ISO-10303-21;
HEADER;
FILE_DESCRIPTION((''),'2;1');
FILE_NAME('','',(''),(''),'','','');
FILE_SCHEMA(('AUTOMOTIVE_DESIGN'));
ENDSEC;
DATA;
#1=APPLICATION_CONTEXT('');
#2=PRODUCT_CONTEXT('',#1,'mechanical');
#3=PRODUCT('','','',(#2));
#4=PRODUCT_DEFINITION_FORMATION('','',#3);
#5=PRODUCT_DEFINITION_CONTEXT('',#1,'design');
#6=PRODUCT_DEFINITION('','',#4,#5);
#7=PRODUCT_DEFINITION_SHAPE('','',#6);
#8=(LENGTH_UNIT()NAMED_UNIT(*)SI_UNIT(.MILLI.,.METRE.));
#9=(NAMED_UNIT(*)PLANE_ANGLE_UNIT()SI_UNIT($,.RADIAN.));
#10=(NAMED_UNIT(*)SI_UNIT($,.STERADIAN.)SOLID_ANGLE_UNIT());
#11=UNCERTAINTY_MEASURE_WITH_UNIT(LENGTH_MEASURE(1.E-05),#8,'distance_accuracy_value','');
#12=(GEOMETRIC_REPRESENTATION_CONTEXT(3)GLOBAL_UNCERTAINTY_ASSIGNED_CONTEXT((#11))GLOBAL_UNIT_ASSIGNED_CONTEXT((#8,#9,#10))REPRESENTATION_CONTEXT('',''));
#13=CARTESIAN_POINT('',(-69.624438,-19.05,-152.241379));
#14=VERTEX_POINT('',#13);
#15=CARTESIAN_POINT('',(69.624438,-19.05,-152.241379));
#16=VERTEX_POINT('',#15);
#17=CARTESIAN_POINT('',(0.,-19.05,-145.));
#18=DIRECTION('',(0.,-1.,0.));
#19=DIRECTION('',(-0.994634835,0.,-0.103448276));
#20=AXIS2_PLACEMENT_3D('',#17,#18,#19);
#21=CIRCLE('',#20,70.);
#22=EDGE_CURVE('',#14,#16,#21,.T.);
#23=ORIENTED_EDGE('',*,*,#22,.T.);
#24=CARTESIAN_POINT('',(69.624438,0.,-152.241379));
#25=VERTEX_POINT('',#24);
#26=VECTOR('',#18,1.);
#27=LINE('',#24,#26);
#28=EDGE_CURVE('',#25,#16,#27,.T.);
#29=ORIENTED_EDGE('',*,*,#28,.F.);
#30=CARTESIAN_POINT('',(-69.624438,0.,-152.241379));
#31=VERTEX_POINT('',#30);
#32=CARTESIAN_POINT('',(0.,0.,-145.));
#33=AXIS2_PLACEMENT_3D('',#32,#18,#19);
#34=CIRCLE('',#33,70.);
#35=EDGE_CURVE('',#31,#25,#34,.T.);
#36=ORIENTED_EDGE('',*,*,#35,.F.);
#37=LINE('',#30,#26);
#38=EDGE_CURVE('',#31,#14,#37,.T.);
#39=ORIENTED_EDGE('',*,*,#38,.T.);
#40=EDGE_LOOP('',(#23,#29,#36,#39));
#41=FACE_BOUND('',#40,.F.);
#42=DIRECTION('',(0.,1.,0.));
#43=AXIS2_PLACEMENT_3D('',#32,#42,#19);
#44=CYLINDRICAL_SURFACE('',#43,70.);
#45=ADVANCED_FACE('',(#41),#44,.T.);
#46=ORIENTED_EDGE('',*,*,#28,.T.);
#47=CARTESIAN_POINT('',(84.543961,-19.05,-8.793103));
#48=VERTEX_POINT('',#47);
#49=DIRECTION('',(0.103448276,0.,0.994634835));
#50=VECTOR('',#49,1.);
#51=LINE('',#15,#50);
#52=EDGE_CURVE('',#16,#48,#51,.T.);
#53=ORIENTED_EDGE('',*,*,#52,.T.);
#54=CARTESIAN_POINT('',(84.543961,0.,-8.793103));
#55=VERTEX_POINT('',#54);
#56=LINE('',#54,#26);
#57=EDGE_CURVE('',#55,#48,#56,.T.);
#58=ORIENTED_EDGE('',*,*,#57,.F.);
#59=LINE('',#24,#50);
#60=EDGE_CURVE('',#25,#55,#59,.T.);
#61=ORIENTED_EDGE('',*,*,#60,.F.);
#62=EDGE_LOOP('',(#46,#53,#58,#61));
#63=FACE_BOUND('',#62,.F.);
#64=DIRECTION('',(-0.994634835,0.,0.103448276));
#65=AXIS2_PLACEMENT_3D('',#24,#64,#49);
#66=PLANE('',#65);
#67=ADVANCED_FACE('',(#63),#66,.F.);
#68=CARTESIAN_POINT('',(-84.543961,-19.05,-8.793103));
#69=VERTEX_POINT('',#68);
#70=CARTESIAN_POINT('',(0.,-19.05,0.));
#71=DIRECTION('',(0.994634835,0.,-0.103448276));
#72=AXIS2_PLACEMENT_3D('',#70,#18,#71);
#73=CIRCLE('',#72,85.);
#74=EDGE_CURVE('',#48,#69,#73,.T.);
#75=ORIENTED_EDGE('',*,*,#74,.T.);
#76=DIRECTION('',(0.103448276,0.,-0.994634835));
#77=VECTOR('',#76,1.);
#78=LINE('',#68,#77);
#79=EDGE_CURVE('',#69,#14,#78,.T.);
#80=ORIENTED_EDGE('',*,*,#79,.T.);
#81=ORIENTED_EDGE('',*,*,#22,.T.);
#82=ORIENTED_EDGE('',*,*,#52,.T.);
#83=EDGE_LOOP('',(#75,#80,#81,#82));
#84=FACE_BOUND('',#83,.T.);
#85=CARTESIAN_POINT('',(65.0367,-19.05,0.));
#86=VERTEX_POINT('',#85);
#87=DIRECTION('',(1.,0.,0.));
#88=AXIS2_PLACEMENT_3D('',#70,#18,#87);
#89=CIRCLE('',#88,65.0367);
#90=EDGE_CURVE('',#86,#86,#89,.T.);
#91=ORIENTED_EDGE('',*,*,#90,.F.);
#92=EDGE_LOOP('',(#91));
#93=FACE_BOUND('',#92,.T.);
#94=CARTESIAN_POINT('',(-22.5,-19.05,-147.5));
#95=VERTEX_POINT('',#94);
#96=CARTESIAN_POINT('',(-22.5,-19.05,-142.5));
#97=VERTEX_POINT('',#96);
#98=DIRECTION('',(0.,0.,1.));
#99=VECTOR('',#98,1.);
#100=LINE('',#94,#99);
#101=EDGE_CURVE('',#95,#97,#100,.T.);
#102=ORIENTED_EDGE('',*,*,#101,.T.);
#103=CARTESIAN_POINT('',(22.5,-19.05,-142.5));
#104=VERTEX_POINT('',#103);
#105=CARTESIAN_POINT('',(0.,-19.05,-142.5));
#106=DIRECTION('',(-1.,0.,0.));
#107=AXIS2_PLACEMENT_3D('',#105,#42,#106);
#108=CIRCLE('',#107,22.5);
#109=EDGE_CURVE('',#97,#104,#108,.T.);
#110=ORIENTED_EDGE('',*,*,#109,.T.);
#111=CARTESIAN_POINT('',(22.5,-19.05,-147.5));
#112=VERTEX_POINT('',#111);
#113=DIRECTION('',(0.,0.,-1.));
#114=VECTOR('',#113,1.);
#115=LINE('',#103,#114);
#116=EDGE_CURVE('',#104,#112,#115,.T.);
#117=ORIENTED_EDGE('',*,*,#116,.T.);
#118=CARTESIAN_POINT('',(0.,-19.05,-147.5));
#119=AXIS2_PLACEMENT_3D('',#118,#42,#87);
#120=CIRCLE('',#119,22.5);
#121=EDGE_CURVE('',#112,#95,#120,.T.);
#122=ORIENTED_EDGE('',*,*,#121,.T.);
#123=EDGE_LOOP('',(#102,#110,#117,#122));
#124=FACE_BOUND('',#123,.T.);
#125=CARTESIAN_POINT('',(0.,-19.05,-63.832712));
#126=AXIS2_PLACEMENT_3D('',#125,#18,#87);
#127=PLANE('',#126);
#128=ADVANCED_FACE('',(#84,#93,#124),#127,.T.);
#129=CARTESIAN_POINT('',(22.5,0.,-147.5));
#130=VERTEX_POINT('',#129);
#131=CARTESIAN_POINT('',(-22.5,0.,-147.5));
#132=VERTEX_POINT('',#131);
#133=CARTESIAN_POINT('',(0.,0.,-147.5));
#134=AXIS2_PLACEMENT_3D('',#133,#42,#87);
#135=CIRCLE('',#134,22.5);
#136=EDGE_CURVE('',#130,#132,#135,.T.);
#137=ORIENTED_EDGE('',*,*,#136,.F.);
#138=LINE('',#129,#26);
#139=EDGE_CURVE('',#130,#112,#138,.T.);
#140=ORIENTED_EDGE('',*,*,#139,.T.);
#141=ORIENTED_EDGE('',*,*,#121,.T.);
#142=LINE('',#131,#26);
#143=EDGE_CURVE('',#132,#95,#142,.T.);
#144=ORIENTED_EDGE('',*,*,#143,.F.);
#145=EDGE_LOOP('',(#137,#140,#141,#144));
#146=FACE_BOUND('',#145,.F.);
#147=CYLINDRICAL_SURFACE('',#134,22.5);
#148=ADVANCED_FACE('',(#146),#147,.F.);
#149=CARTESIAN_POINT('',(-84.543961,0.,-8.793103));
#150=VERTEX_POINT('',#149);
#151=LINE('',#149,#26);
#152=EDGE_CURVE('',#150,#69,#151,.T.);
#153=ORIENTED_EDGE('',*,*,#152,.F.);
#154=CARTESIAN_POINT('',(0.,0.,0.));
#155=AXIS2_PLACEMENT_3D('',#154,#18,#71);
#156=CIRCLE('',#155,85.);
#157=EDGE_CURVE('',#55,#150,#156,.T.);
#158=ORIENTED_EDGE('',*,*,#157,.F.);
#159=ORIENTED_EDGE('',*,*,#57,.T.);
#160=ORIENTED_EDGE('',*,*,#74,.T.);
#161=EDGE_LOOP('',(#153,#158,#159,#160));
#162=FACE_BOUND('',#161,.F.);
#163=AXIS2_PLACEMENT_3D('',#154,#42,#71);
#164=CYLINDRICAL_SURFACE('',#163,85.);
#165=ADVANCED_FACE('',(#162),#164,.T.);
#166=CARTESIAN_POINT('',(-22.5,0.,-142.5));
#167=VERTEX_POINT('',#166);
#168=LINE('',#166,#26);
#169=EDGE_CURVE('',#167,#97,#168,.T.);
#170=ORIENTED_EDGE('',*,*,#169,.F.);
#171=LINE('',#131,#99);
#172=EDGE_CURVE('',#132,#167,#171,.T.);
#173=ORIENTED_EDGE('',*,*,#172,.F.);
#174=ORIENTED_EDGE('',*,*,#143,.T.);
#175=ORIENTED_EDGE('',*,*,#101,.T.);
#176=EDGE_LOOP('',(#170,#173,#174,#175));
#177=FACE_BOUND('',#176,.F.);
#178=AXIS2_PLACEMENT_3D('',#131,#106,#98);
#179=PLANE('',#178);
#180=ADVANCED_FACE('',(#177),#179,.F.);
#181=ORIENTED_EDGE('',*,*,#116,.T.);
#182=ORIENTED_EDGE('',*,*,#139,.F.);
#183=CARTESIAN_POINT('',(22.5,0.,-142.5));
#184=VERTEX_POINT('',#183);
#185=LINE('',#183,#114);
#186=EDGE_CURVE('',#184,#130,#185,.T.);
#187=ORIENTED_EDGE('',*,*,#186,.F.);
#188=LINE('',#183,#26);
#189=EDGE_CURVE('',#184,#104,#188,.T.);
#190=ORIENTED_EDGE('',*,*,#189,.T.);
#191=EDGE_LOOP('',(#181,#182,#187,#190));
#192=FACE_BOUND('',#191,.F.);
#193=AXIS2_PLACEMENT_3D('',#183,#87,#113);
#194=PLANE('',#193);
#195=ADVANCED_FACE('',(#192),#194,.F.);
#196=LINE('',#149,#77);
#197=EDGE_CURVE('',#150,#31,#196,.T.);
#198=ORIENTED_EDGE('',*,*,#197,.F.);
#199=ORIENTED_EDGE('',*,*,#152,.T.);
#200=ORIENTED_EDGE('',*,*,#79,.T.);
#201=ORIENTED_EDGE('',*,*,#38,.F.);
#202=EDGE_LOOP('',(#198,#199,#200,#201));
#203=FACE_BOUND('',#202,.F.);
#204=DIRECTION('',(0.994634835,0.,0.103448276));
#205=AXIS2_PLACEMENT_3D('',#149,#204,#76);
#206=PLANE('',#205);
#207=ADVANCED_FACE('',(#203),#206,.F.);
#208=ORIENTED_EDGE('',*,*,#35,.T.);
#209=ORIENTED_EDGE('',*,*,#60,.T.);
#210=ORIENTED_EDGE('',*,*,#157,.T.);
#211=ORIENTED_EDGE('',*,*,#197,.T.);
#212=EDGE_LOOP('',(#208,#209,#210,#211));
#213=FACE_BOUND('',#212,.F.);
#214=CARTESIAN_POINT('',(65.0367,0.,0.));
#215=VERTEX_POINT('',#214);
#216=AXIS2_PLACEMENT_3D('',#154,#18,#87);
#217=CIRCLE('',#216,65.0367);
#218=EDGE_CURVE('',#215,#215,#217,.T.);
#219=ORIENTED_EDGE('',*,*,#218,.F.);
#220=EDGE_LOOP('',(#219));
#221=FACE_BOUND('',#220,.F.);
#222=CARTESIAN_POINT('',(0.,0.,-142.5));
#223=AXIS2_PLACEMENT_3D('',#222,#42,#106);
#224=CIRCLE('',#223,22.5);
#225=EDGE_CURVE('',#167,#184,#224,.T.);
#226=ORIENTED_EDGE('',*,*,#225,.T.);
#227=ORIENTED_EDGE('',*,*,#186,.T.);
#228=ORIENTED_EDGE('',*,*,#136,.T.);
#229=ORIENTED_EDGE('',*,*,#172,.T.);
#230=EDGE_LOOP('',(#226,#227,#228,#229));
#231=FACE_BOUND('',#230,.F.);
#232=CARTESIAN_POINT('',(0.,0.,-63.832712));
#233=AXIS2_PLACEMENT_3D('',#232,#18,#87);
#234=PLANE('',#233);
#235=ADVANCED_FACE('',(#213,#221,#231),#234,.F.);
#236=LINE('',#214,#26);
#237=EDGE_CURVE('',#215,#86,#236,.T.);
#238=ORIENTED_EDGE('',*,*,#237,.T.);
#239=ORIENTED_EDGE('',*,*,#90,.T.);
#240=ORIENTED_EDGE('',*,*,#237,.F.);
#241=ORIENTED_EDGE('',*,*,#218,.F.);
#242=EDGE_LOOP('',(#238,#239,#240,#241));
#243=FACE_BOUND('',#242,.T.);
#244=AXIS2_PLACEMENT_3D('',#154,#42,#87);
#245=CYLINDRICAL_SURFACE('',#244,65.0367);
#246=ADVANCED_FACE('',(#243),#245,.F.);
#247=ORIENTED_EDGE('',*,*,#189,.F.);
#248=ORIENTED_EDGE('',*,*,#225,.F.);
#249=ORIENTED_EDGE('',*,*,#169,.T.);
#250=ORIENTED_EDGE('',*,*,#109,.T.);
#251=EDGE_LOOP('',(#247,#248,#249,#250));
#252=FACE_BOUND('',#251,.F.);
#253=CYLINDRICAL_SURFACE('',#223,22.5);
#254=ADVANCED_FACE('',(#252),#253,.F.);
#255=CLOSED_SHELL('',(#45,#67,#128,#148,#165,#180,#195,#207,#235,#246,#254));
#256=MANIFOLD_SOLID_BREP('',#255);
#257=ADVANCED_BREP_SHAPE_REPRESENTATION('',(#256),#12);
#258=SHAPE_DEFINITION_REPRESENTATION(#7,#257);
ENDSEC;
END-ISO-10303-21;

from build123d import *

# Parameters (mm, degrees)
F0_R     = 65.0367
F1_DEPTH = 19.05


with BuildPart() as f1:
    # F0 (on Front) → F1 (new body)
    with BuildSketch(Plane.XZ):
        with BuildLine():
            Line((69.6244384228, -152.2413793103), (84.5439609419, -8.7931034483))
            ThreePointArc((84.5439609419, -8.7931034483), (0, 85), (-84.5439609419, -8.7931034483))
            Line((-84.5439609419, -8.7931034483), (-69.6244384228, -152.2413793103))
            ThreePointArc((-69.6244384228, -152.2413793103), (0, -215), (69.6244384228, -152.2413793103))
        make_face()
        with BuildLine():
            Line((-22.5, -147.5), (-22.5, -142.5))
            ThreePointArc((-22.5, -142.5), (0, -120), (22.5, -142.5))
            Line((22.5, -142.5), (22.5, -147.5))
            ThreePointArc((22.5, -147.5), (0, -170), (-22.5, -147.5))
        make_face(mode=Mode.SUBTRACT)
        Circle(F0_R, mode=Mode.SUBTRACT)
    extrude(amount=F1_DEPTH)


solid = f1.part
